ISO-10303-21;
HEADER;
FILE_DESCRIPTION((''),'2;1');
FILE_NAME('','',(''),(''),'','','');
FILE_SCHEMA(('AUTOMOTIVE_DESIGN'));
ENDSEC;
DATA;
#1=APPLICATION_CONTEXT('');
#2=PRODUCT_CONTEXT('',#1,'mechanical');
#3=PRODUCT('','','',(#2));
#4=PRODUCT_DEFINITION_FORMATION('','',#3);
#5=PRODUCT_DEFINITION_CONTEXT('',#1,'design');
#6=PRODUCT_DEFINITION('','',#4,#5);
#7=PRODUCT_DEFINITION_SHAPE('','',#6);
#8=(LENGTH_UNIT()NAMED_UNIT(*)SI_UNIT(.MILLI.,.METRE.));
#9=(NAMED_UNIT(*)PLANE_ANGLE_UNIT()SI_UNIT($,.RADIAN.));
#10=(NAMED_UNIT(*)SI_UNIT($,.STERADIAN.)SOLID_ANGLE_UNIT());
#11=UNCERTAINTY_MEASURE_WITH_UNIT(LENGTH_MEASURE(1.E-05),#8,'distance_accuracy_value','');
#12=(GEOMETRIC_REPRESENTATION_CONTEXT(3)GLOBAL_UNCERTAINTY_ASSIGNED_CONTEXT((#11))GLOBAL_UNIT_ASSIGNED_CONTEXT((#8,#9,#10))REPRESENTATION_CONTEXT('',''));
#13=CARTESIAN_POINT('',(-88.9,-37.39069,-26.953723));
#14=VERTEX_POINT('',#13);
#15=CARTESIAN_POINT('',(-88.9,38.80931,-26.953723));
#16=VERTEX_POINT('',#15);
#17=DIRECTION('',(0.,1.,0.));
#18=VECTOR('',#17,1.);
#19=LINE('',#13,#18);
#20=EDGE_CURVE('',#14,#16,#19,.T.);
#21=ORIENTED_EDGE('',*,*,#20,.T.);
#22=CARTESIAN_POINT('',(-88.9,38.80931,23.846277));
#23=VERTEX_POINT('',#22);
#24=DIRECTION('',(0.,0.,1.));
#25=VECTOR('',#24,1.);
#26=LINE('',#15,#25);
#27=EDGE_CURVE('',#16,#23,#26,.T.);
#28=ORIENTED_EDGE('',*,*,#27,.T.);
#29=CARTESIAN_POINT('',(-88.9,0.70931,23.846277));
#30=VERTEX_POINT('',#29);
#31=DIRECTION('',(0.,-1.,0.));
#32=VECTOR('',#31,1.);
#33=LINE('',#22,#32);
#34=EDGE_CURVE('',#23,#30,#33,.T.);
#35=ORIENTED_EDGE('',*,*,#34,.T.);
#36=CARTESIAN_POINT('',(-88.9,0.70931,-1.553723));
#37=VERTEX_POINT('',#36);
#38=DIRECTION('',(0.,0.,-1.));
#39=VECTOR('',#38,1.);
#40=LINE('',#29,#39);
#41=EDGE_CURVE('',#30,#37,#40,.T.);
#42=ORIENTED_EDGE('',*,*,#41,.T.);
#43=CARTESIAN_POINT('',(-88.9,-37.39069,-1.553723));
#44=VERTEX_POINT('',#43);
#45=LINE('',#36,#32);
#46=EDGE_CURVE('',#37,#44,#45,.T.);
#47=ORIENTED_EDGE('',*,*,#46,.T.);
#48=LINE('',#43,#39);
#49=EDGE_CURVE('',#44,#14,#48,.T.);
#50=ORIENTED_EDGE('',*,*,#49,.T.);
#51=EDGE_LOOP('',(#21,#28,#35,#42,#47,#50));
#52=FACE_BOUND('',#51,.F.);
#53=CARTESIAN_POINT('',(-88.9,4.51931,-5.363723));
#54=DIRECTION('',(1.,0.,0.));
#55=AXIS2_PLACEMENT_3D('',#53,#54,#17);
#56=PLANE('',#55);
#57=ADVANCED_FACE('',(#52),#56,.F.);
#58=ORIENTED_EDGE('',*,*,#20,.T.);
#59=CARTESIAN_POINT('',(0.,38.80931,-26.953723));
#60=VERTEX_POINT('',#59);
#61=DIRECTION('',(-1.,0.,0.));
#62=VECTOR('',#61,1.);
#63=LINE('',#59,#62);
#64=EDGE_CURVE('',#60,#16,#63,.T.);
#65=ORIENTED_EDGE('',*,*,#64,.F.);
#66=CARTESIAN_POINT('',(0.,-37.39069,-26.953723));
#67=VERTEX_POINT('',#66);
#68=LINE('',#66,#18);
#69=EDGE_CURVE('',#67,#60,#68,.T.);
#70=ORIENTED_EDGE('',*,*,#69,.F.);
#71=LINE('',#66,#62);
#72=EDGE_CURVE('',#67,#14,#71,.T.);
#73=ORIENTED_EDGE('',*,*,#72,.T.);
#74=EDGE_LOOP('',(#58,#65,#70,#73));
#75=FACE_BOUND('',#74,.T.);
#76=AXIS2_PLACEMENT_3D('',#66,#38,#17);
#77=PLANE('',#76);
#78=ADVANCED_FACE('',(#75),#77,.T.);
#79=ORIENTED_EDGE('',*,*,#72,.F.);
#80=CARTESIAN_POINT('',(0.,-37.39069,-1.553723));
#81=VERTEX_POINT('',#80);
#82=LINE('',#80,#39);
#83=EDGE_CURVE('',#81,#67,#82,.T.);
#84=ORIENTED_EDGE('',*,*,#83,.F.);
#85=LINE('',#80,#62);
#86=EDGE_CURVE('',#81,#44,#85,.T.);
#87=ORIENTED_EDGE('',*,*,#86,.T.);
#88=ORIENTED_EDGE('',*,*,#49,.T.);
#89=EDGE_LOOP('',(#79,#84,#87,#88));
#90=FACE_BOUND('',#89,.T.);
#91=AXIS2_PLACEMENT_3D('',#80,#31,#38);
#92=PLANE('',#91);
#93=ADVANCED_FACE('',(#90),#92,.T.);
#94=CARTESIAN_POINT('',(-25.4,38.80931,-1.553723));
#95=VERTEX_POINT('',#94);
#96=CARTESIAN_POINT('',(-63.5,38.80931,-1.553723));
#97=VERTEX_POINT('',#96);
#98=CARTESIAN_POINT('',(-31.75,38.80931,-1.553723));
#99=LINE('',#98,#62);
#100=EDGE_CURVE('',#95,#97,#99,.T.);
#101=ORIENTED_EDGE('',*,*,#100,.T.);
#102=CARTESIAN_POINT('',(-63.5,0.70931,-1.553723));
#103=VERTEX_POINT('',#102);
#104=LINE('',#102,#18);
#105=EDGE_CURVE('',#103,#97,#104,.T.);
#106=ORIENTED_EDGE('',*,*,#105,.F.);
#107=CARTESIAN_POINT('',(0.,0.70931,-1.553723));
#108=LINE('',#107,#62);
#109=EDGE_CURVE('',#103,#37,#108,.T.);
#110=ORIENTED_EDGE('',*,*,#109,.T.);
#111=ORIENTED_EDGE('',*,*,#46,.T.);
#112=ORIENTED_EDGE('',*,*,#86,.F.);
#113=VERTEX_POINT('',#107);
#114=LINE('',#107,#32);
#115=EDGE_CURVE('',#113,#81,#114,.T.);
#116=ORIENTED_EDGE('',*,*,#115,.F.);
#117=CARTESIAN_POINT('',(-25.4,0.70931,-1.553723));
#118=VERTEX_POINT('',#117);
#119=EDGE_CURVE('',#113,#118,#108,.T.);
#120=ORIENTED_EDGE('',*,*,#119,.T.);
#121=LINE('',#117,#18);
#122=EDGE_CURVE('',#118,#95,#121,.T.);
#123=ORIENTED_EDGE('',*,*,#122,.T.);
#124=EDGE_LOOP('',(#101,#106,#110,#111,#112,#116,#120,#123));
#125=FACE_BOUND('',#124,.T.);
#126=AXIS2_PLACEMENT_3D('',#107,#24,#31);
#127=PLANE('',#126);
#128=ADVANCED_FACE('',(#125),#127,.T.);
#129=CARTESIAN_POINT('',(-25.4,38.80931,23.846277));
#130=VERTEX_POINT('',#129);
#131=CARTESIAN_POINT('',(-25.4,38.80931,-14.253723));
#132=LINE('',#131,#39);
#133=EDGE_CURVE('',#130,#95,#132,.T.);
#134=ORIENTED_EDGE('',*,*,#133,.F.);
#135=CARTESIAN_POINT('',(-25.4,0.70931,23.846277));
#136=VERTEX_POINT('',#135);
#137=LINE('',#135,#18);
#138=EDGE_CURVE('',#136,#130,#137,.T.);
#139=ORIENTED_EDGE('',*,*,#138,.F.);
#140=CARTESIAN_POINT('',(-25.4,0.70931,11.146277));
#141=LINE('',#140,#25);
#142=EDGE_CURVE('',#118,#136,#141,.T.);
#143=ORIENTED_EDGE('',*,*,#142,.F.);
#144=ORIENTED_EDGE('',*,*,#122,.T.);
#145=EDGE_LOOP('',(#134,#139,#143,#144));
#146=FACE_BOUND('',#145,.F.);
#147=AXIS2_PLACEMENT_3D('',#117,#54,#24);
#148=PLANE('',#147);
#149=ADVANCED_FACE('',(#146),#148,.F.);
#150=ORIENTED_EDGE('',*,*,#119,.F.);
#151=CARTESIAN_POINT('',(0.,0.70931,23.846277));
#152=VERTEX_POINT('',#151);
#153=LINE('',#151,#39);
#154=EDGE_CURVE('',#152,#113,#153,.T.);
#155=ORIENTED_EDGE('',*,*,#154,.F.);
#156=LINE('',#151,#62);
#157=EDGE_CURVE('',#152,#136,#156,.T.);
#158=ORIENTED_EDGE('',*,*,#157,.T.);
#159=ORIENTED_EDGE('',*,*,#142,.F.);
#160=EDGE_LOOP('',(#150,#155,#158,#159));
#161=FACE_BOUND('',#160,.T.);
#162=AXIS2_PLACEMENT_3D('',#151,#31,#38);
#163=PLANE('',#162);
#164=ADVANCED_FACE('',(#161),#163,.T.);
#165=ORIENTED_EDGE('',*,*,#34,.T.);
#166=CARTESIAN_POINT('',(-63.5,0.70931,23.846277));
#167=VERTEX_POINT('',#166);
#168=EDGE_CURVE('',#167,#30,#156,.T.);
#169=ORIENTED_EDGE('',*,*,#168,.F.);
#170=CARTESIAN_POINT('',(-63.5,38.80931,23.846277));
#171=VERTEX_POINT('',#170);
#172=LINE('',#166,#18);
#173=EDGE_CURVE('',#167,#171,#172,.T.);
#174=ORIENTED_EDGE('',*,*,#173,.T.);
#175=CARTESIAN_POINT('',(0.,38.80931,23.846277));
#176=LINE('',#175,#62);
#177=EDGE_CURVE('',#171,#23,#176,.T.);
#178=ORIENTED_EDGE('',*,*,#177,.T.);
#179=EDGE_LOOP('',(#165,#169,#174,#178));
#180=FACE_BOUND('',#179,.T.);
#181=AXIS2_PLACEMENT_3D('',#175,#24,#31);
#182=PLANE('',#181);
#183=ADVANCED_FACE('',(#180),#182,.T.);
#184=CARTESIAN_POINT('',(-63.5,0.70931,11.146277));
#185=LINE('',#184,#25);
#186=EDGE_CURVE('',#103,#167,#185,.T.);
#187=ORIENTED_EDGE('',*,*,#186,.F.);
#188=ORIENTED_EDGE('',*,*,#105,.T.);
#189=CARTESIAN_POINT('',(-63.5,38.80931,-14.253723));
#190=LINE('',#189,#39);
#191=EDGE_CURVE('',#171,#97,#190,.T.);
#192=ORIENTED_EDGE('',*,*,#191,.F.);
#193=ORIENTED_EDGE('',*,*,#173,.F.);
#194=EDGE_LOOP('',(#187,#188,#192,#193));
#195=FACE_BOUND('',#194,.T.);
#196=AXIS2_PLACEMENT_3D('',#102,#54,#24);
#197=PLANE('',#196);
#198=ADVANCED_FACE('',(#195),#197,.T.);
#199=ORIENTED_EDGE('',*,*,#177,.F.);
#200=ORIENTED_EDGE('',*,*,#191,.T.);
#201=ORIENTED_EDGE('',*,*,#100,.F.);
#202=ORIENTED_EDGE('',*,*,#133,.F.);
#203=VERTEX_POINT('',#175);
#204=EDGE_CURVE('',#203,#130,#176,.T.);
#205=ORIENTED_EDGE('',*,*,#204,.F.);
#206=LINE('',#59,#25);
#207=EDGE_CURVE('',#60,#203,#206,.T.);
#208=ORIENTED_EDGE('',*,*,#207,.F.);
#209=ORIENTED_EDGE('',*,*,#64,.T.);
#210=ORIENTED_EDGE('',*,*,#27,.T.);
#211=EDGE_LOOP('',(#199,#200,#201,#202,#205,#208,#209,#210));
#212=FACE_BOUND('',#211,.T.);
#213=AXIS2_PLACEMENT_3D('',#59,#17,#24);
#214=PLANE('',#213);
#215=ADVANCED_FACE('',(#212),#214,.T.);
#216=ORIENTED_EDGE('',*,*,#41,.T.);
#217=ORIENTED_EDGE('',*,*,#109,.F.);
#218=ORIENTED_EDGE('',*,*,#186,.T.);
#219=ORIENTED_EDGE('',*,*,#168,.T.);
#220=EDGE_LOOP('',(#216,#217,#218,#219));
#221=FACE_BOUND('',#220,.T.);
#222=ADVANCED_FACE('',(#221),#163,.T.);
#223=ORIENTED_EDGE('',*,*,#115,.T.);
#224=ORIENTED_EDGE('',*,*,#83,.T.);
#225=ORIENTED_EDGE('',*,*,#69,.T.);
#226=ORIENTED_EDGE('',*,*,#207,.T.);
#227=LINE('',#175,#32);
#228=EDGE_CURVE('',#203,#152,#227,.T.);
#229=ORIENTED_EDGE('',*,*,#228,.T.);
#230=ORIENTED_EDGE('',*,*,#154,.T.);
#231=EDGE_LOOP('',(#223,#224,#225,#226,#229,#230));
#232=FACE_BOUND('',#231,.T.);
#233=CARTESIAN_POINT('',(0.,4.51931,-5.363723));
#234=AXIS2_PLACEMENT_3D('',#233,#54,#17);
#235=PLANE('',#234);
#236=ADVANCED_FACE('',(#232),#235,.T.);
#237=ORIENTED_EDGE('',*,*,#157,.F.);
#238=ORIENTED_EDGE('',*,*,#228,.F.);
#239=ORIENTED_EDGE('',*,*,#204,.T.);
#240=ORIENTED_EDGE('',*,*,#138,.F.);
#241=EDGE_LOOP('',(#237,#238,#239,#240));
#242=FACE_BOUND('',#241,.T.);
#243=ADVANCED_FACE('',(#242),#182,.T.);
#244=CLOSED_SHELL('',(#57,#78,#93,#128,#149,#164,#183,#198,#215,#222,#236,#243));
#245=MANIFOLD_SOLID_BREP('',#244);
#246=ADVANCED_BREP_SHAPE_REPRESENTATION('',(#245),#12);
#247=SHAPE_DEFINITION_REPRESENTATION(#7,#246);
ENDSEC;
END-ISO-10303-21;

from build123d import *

# Parameters (mm, degrees)
F1_DEPTH = 88.9
F2_W     = 38.1
F2_H     = 25.4
F3_DEPTH = 38.101


with BuildPart() as f1:
    # F0 (on Right) → F1 (new body)
    with BuildSketch(Plane.YZ):
        Polygon((-37.39069, -1.553723), (-37.39069, -26.953723), (38.80931, -26.953723), (38.80931, 23.846277), (0.70931, 23.846277), (0.70931, -1.553723), align=None)
    extrude(amount=-F1_DEPTH)

    # F2 (on face) → F3 (cut, through all)
    with BuildSketch(Plane.XZ.offset(-0.70931)):
        with Locations((-44.45, 11.146277)):
            Rectangle(F2_W, F2_H)
    extrude(amount=-F3_DEPTH, mode=Mode.SUBTRACT)


solid = f1.part
